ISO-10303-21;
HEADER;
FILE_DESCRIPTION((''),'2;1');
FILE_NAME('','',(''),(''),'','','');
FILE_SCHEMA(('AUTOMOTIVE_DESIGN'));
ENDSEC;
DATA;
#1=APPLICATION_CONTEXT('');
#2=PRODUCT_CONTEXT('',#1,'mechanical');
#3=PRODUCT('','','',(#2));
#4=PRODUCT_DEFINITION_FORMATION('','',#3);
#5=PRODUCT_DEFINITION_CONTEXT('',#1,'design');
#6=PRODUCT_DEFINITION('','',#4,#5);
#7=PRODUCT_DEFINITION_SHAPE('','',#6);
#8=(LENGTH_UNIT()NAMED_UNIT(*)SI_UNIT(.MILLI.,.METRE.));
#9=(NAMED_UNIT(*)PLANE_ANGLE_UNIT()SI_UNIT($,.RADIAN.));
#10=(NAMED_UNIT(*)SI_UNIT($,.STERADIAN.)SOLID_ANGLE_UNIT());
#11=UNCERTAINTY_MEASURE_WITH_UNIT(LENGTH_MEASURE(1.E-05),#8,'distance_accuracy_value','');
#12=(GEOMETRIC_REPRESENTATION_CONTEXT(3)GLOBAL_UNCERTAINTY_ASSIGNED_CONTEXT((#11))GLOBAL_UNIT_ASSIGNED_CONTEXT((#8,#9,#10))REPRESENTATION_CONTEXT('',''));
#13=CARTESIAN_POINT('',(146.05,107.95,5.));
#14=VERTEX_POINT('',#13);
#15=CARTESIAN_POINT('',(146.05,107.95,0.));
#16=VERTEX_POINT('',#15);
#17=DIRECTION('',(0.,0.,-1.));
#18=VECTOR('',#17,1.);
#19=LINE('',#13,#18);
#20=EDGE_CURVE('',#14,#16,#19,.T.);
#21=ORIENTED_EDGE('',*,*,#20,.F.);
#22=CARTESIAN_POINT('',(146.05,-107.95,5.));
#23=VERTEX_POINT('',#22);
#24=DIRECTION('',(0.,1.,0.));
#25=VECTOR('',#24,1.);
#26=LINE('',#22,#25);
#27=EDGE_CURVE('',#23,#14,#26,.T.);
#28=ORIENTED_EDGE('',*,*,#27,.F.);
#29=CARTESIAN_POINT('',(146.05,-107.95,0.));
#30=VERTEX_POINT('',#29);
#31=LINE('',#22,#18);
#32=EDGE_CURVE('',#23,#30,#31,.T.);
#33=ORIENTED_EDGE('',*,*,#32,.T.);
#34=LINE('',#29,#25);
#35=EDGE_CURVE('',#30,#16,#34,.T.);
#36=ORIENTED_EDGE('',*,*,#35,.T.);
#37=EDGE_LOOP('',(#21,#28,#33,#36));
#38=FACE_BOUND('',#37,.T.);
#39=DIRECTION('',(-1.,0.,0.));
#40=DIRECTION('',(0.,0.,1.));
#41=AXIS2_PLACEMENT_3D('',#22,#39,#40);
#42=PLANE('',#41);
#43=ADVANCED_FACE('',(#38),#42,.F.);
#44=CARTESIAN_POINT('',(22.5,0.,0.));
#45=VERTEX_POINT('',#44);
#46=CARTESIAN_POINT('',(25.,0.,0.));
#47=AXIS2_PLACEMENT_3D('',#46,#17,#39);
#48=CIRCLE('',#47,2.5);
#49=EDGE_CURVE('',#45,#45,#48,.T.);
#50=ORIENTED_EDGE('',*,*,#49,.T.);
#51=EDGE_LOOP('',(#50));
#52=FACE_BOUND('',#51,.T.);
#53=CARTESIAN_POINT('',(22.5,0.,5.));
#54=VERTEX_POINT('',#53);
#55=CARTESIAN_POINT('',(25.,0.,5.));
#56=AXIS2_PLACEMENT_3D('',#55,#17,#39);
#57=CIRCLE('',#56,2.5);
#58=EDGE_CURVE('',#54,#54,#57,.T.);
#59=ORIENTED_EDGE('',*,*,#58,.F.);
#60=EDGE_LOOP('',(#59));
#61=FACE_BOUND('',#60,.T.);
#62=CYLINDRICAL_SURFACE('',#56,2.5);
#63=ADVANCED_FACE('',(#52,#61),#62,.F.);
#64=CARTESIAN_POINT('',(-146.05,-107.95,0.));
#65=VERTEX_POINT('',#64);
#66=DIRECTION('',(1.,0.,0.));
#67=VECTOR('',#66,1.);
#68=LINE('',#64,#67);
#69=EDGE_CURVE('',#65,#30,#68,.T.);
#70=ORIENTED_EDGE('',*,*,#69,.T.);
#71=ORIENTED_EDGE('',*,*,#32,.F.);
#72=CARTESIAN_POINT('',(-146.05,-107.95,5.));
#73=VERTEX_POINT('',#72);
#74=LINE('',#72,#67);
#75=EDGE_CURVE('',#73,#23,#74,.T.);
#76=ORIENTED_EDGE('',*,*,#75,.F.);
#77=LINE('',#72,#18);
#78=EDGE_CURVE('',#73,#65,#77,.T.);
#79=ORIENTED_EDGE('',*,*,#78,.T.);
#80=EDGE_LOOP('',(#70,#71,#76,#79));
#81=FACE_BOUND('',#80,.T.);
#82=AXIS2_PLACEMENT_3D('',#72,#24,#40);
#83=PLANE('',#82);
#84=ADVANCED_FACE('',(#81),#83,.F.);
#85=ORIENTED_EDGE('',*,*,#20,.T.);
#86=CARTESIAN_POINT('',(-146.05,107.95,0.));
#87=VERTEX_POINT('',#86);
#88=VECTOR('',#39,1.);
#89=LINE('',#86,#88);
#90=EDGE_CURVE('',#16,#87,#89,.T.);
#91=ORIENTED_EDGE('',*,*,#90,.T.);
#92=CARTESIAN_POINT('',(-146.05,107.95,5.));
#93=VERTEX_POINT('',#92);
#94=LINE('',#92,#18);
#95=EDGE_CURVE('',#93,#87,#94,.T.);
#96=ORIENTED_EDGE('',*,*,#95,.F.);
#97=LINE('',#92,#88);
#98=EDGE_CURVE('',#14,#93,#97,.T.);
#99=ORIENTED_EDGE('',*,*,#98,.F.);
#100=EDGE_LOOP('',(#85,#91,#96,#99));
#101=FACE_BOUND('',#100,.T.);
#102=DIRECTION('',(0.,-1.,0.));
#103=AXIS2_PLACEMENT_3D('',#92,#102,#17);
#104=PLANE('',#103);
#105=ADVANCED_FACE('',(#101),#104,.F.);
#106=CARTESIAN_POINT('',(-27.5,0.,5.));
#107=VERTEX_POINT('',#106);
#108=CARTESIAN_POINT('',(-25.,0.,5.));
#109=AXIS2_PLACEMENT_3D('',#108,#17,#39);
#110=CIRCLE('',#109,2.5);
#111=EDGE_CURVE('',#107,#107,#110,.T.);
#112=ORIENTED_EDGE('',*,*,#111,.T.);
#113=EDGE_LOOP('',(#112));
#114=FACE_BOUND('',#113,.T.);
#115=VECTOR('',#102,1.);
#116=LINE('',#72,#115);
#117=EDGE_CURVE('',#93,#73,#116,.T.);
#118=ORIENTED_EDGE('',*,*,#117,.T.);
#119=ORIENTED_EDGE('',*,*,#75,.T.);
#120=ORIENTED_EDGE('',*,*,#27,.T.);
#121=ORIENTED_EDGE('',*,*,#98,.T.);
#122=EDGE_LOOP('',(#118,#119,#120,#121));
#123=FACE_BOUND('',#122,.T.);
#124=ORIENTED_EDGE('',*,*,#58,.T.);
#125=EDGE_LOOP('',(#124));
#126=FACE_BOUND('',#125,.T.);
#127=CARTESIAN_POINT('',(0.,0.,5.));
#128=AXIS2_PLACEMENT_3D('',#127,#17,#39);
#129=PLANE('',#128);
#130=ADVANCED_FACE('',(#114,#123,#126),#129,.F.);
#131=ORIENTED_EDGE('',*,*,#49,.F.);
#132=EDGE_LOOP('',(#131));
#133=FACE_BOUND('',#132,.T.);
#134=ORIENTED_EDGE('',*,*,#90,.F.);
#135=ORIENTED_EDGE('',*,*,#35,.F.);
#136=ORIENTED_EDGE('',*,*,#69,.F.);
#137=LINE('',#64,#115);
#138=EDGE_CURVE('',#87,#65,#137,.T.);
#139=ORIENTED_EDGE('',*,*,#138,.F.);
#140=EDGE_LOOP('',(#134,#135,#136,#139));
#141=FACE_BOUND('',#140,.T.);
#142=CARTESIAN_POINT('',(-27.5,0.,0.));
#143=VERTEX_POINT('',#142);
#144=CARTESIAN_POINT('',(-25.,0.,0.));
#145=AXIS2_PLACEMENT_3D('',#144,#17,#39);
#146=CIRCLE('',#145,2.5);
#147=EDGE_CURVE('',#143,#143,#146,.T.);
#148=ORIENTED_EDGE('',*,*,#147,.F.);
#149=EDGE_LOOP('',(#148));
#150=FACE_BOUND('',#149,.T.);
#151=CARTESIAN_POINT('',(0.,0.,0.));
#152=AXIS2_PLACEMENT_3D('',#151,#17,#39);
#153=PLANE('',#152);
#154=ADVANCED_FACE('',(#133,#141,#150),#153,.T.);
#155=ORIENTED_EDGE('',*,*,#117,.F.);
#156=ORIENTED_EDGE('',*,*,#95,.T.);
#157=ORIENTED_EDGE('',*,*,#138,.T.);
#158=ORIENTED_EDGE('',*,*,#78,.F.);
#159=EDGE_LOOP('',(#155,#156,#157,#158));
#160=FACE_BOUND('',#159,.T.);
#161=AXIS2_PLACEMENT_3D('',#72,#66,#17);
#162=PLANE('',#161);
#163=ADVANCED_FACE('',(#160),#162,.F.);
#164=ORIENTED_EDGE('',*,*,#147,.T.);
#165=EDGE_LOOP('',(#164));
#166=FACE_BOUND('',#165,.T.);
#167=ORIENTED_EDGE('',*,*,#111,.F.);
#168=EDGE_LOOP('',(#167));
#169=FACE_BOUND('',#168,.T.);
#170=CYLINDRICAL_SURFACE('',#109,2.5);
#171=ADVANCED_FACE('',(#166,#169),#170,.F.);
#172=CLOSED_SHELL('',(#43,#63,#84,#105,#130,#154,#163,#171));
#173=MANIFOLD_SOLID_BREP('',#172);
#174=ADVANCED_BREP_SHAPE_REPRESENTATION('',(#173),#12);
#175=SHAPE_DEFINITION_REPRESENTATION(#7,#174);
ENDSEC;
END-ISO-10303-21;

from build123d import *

# Parameters (mm, degrees)
SKETCH1_W           = 292.1
SKETCH1_H           = 215.9
BOSS_EXTRUDE1_DEPTH = 5
SKETCH2_R           = 2.5
CUT_EXTRUDE1_DEPTH  = 5


with BuildPart() as part:
    # Sketch1 → Boss-Extrude1 (new body)
    with BuildSketch(Plane.XY):
        Rectangle(SKETCH1_W, SKETCH1_H)
    extrude(amount=BOSS_EXTRUDE1_DEPTH)

    # Sketch2 → Cut-Extrude1 (cut)
    with BuildSketch(Plane(origin=(0, 0, 0), x_dir=(-1, 0, 0), z_dir=(0, 0, -1))):
        with Locations((-25, 0)):
            Circle(SKETCH2_R)
        with Locations((25, 0)):
            Circle(SKETCH2_R)
    extrude(amount=-CUT_EXTRUDE1_DEPTH, mode=Mode.SUBTRACT)


solid = part.part
